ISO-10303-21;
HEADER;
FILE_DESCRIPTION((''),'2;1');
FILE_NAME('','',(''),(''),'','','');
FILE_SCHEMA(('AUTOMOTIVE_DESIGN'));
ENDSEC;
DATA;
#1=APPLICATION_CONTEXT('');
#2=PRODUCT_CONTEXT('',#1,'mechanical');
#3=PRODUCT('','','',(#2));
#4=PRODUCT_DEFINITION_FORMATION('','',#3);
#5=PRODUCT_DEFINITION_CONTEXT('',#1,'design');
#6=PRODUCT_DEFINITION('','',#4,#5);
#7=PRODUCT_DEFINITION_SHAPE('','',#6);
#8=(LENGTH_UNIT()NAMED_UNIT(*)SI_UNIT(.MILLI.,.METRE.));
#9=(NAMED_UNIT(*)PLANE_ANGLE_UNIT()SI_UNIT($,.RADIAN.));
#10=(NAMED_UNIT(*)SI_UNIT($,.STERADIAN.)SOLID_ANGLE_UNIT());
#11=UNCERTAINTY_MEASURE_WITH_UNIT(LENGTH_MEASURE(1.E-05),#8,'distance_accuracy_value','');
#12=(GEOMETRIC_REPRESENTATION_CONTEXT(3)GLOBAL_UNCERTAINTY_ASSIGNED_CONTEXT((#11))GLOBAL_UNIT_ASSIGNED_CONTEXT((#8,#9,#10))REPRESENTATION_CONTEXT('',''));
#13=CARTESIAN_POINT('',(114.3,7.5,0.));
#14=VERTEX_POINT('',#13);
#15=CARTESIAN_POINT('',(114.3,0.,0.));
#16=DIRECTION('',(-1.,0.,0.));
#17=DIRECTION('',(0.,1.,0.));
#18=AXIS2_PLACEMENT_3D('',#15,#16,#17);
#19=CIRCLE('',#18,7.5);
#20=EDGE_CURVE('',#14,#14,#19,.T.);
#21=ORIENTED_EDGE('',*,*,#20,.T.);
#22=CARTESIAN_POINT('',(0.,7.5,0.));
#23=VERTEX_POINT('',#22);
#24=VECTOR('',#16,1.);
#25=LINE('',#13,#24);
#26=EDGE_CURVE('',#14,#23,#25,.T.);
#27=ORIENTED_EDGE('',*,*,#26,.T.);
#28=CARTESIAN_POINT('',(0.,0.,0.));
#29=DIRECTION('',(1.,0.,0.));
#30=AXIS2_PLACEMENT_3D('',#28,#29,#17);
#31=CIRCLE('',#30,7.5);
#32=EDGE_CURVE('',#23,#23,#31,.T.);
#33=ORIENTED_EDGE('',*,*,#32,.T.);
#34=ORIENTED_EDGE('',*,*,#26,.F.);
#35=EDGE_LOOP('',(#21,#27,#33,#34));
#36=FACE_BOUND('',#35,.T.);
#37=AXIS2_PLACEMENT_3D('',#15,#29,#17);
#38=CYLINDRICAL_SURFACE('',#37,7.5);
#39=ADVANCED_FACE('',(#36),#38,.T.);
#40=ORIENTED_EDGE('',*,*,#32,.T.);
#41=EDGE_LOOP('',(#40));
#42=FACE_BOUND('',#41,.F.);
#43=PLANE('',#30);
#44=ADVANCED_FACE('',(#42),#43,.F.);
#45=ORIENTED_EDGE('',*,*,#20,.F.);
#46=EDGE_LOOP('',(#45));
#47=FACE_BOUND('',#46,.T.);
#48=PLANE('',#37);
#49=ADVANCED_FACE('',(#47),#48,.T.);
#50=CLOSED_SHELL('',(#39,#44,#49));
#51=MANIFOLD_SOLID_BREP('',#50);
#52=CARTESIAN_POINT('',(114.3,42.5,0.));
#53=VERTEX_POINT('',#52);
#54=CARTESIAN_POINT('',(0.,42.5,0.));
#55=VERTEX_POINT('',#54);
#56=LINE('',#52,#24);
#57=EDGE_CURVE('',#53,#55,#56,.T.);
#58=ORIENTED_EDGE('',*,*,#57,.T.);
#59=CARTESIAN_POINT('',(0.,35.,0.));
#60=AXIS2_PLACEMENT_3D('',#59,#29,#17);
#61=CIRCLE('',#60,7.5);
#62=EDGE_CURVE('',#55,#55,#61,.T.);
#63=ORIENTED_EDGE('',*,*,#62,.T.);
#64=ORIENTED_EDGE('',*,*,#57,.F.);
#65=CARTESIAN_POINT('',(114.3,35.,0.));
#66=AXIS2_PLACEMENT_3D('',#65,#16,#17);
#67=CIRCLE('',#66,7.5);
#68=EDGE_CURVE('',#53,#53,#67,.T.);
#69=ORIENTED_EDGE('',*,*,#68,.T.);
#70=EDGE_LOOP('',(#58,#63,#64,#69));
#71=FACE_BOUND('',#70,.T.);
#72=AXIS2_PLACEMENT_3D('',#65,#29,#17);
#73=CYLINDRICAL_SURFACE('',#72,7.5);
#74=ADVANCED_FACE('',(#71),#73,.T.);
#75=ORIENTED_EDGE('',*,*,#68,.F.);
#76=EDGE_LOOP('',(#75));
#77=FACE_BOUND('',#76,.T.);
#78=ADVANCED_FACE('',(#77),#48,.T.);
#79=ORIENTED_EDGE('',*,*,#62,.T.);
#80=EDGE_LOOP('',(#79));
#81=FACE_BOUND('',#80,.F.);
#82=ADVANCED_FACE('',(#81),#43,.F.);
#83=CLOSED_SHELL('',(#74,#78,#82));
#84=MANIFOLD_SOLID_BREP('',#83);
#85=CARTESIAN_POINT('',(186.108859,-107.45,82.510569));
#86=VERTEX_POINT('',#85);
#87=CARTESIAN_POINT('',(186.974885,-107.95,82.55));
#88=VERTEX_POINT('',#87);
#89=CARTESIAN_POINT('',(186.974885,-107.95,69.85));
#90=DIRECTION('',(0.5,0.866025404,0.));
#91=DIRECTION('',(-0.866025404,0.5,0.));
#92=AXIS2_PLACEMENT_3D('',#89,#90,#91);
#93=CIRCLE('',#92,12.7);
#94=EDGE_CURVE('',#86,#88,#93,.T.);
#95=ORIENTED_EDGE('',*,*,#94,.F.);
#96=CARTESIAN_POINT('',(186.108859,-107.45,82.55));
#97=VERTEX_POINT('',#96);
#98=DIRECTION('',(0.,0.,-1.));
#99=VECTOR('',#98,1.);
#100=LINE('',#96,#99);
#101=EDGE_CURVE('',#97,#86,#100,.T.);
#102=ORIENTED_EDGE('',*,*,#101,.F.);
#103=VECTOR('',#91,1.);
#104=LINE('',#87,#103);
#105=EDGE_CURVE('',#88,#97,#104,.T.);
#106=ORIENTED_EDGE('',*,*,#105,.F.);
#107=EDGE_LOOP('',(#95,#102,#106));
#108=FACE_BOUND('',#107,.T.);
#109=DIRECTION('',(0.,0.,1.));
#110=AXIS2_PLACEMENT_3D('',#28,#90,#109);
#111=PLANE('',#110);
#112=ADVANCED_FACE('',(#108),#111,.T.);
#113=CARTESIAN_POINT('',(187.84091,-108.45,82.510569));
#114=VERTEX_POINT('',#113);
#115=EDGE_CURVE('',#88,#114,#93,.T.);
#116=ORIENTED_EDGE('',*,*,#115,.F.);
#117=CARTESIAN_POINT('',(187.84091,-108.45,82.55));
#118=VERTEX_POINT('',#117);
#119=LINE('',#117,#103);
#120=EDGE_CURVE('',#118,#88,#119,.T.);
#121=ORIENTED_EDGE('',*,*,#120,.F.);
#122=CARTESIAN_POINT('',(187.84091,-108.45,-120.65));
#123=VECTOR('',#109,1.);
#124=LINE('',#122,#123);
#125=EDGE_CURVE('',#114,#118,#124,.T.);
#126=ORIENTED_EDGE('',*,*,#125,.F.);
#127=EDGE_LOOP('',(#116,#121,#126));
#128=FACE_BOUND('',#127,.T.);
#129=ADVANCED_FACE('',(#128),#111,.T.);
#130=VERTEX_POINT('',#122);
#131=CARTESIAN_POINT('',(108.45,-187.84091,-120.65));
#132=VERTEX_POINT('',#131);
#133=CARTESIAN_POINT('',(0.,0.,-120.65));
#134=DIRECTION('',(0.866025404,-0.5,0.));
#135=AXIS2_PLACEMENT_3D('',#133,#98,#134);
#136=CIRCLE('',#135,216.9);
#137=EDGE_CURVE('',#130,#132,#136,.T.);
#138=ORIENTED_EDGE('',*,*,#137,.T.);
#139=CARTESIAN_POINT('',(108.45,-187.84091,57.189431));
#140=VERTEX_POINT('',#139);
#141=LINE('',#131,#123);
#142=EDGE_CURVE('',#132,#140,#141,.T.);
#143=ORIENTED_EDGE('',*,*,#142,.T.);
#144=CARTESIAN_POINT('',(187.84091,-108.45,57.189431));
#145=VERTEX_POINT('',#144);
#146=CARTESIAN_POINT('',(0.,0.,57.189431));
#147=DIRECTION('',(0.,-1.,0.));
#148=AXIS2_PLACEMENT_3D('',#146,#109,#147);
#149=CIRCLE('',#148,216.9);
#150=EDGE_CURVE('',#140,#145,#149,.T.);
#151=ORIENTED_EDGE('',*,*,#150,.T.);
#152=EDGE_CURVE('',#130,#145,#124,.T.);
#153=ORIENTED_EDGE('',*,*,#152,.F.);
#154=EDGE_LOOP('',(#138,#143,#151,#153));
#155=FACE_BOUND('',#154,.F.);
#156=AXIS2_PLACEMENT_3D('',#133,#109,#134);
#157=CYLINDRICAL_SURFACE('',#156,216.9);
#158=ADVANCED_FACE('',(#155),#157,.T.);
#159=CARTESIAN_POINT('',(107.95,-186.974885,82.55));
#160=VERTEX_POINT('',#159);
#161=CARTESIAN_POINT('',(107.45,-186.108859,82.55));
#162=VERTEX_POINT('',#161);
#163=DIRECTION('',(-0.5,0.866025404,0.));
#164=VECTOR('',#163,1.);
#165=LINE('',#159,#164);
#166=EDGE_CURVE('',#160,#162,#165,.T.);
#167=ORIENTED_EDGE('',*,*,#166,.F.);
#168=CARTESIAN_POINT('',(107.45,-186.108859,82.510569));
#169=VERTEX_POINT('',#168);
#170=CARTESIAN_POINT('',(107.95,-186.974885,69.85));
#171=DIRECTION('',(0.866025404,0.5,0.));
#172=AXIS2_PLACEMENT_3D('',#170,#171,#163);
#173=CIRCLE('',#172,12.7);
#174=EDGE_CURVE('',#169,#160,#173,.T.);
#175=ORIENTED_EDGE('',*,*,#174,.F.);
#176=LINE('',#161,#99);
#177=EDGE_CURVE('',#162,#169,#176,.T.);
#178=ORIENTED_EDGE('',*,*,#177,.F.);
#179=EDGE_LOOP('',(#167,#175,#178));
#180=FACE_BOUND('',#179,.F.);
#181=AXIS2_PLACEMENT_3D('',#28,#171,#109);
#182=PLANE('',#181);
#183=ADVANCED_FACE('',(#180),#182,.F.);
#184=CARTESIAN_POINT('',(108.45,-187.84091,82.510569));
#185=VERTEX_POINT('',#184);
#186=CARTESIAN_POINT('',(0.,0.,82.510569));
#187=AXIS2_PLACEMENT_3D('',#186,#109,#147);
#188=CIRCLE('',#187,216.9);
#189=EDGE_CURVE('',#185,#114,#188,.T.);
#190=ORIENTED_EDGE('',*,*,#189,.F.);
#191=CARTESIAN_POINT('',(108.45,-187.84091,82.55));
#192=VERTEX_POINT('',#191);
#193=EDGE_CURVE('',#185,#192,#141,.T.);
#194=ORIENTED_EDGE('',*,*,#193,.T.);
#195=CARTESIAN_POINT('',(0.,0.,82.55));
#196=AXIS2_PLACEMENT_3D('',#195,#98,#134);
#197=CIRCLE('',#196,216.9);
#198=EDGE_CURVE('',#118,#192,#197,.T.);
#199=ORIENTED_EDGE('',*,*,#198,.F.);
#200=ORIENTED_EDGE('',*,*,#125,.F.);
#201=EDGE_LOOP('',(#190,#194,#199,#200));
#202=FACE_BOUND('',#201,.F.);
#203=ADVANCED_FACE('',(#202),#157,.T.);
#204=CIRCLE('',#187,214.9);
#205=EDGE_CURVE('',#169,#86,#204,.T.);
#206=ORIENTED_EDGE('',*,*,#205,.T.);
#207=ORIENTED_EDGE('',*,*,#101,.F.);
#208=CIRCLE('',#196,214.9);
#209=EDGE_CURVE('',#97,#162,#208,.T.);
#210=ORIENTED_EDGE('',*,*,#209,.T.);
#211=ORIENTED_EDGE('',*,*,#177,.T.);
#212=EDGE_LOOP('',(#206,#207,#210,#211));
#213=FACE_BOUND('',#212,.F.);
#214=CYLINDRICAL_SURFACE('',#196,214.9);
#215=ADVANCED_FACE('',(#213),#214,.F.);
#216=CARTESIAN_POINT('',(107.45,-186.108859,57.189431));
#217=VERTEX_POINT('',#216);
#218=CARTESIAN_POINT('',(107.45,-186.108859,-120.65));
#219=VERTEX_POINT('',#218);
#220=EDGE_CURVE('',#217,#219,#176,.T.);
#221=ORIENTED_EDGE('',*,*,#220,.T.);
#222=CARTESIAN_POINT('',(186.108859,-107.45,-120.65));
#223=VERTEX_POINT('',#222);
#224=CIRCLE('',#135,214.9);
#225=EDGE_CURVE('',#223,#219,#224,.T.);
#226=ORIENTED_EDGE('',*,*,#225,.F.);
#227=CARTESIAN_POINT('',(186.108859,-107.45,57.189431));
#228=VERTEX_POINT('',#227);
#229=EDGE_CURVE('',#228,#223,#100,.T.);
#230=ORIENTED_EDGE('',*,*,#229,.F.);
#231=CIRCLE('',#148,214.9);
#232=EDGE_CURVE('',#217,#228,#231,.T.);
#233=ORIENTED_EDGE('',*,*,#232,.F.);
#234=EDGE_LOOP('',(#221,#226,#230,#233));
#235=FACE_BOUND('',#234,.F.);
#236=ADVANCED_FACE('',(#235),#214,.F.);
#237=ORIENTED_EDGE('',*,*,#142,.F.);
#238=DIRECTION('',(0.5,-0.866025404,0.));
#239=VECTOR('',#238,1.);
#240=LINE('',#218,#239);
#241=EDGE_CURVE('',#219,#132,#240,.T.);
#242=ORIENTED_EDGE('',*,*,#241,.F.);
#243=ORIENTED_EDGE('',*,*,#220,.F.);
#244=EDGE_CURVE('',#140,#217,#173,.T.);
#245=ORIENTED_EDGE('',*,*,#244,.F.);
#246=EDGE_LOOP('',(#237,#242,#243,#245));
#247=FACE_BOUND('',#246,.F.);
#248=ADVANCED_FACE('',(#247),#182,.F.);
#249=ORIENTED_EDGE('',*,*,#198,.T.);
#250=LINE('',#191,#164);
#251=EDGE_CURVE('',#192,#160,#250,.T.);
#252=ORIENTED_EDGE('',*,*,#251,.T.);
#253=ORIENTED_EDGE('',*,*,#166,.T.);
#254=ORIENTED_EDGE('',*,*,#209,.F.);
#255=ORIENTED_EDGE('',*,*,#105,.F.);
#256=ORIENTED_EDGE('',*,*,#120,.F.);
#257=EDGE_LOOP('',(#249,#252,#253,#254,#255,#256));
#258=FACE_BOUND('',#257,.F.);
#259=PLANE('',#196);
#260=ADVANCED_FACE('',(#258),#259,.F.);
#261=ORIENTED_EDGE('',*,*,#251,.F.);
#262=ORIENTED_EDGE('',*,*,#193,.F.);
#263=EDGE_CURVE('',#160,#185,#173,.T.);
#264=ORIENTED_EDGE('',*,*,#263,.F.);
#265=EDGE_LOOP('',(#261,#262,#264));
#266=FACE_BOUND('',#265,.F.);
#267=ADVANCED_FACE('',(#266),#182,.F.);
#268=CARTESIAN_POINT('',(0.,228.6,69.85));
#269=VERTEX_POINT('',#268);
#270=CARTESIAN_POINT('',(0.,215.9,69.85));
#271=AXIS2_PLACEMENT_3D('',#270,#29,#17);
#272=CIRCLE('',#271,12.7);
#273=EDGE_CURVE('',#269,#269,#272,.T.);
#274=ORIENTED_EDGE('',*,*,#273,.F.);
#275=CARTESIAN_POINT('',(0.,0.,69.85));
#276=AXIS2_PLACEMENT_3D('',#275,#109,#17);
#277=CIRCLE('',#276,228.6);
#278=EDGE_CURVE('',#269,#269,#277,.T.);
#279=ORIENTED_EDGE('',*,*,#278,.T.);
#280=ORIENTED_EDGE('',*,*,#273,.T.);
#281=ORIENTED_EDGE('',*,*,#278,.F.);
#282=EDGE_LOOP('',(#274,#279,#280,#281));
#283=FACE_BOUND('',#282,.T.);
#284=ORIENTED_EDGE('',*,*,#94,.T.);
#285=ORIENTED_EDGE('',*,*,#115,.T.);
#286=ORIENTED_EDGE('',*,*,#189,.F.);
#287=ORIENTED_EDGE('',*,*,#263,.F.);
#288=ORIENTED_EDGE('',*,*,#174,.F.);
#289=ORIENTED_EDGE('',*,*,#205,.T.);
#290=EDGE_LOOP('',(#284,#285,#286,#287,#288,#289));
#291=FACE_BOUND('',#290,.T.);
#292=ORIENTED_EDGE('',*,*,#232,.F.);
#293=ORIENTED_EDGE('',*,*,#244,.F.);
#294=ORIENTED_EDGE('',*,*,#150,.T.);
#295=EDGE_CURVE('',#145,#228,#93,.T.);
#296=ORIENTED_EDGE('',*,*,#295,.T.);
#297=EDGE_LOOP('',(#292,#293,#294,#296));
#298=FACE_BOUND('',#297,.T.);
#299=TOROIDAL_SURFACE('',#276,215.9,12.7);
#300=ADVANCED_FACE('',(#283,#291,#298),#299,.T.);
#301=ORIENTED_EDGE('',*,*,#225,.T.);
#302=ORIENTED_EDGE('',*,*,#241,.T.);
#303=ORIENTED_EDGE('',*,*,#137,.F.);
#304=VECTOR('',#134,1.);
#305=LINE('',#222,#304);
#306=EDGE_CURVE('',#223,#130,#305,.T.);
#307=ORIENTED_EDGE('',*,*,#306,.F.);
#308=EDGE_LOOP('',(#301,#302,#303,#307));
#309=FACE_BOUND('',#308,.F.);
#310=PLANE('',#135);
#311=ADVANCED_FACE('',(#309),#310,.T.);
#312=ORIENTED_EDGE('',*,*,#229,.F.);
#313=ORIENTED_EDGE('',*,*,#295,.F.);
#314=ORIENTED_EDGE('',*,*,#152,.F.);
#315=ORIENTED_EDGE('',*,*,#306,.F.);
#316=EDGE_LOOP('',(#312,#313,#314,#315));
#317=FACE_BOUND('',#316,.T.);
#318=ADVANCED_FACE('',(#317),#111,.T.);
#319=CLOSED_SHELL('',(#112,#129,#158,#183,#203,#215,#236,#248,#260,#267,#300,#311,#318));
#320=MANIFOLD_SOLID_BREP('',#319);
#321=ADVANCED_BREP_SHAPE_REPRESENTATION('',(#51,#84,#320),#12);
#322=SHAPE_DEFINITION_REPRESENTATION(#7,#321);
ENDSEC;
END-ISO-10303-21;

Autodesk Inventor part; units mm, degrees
sketch "Sketch1" plane through (0, 0, 0) normal (1, 0, 0) x (0, 1, 0)
  circle A0 centre (215.9, 69.85) radius 12.7
  line L0 (0, -16.51) -> (0, 99.06) projected
  point P0 (0, 0)
  dimension "d0" = 25.4
  dimension "d1" = 215.9
  dimension "d2" = 69.85
revolve "Revolution1" add sketch "Sketch1" angle 360 about axis through (0, 0, -10) along (0, 0, 1)
ref_plane "Work Plane1" through (114.3, 0, 0) normal (1, 0, 0) x (0, 1, 0)
sketch "Sketch2" plane through (114.3, 0, 0) normal (1, 0, 0) x (0, 1, 0)
  circle A0 centre (0, 0) radius 7.5
  line L0 (-320.04, 0) -> (320.04, 0) projected
  circle A1 centre (35, 0) radius 7.5
  dimension "d5" = 15
  dimension "d6" = 15
  dimension "d7" = 35
extrude "Extrusion1" add sketch "Sketch2" against normal up to surface (114.3 mm away)
ref_plane "Work Plane2" through (0, -100, 0) normal (0, 1, 0) x (-1, 0, 0)
ref_plane "Work Plane3" through (0, 0, 0) normal (0.5, 0.866, 0) x (0, 0, 1)
sketch "Sketch4" plane through (0, 0, 0) normal (0.5, 0.866, 0) x (0, 0, 1)
  line L0 (82.55, 215.9) -> (82.55, -215.9) projected
  line L1 (-120.65, 216.9) -> (82.55, 216.9)
  line L2 (82.55, 216.9) -> (82.55, 214.9)
  line L3 (82.55, 214.9) -> (-120.65, 214.9)
  line L4 (-120.65, 214.9) -> (-120.65, 216.9)
  line L5 (-161.29, 0) -> (123.19, 0) projected
  point P0 (0, 0)
  dimension "d15" = 2
  dimension "d16" = 203.2
revolve "Revolution3" add sketch "Sketch4" angle 30 about axis through (0, 0, -10) along (0, 0, -1)
properties part number "DewarObstructions"
